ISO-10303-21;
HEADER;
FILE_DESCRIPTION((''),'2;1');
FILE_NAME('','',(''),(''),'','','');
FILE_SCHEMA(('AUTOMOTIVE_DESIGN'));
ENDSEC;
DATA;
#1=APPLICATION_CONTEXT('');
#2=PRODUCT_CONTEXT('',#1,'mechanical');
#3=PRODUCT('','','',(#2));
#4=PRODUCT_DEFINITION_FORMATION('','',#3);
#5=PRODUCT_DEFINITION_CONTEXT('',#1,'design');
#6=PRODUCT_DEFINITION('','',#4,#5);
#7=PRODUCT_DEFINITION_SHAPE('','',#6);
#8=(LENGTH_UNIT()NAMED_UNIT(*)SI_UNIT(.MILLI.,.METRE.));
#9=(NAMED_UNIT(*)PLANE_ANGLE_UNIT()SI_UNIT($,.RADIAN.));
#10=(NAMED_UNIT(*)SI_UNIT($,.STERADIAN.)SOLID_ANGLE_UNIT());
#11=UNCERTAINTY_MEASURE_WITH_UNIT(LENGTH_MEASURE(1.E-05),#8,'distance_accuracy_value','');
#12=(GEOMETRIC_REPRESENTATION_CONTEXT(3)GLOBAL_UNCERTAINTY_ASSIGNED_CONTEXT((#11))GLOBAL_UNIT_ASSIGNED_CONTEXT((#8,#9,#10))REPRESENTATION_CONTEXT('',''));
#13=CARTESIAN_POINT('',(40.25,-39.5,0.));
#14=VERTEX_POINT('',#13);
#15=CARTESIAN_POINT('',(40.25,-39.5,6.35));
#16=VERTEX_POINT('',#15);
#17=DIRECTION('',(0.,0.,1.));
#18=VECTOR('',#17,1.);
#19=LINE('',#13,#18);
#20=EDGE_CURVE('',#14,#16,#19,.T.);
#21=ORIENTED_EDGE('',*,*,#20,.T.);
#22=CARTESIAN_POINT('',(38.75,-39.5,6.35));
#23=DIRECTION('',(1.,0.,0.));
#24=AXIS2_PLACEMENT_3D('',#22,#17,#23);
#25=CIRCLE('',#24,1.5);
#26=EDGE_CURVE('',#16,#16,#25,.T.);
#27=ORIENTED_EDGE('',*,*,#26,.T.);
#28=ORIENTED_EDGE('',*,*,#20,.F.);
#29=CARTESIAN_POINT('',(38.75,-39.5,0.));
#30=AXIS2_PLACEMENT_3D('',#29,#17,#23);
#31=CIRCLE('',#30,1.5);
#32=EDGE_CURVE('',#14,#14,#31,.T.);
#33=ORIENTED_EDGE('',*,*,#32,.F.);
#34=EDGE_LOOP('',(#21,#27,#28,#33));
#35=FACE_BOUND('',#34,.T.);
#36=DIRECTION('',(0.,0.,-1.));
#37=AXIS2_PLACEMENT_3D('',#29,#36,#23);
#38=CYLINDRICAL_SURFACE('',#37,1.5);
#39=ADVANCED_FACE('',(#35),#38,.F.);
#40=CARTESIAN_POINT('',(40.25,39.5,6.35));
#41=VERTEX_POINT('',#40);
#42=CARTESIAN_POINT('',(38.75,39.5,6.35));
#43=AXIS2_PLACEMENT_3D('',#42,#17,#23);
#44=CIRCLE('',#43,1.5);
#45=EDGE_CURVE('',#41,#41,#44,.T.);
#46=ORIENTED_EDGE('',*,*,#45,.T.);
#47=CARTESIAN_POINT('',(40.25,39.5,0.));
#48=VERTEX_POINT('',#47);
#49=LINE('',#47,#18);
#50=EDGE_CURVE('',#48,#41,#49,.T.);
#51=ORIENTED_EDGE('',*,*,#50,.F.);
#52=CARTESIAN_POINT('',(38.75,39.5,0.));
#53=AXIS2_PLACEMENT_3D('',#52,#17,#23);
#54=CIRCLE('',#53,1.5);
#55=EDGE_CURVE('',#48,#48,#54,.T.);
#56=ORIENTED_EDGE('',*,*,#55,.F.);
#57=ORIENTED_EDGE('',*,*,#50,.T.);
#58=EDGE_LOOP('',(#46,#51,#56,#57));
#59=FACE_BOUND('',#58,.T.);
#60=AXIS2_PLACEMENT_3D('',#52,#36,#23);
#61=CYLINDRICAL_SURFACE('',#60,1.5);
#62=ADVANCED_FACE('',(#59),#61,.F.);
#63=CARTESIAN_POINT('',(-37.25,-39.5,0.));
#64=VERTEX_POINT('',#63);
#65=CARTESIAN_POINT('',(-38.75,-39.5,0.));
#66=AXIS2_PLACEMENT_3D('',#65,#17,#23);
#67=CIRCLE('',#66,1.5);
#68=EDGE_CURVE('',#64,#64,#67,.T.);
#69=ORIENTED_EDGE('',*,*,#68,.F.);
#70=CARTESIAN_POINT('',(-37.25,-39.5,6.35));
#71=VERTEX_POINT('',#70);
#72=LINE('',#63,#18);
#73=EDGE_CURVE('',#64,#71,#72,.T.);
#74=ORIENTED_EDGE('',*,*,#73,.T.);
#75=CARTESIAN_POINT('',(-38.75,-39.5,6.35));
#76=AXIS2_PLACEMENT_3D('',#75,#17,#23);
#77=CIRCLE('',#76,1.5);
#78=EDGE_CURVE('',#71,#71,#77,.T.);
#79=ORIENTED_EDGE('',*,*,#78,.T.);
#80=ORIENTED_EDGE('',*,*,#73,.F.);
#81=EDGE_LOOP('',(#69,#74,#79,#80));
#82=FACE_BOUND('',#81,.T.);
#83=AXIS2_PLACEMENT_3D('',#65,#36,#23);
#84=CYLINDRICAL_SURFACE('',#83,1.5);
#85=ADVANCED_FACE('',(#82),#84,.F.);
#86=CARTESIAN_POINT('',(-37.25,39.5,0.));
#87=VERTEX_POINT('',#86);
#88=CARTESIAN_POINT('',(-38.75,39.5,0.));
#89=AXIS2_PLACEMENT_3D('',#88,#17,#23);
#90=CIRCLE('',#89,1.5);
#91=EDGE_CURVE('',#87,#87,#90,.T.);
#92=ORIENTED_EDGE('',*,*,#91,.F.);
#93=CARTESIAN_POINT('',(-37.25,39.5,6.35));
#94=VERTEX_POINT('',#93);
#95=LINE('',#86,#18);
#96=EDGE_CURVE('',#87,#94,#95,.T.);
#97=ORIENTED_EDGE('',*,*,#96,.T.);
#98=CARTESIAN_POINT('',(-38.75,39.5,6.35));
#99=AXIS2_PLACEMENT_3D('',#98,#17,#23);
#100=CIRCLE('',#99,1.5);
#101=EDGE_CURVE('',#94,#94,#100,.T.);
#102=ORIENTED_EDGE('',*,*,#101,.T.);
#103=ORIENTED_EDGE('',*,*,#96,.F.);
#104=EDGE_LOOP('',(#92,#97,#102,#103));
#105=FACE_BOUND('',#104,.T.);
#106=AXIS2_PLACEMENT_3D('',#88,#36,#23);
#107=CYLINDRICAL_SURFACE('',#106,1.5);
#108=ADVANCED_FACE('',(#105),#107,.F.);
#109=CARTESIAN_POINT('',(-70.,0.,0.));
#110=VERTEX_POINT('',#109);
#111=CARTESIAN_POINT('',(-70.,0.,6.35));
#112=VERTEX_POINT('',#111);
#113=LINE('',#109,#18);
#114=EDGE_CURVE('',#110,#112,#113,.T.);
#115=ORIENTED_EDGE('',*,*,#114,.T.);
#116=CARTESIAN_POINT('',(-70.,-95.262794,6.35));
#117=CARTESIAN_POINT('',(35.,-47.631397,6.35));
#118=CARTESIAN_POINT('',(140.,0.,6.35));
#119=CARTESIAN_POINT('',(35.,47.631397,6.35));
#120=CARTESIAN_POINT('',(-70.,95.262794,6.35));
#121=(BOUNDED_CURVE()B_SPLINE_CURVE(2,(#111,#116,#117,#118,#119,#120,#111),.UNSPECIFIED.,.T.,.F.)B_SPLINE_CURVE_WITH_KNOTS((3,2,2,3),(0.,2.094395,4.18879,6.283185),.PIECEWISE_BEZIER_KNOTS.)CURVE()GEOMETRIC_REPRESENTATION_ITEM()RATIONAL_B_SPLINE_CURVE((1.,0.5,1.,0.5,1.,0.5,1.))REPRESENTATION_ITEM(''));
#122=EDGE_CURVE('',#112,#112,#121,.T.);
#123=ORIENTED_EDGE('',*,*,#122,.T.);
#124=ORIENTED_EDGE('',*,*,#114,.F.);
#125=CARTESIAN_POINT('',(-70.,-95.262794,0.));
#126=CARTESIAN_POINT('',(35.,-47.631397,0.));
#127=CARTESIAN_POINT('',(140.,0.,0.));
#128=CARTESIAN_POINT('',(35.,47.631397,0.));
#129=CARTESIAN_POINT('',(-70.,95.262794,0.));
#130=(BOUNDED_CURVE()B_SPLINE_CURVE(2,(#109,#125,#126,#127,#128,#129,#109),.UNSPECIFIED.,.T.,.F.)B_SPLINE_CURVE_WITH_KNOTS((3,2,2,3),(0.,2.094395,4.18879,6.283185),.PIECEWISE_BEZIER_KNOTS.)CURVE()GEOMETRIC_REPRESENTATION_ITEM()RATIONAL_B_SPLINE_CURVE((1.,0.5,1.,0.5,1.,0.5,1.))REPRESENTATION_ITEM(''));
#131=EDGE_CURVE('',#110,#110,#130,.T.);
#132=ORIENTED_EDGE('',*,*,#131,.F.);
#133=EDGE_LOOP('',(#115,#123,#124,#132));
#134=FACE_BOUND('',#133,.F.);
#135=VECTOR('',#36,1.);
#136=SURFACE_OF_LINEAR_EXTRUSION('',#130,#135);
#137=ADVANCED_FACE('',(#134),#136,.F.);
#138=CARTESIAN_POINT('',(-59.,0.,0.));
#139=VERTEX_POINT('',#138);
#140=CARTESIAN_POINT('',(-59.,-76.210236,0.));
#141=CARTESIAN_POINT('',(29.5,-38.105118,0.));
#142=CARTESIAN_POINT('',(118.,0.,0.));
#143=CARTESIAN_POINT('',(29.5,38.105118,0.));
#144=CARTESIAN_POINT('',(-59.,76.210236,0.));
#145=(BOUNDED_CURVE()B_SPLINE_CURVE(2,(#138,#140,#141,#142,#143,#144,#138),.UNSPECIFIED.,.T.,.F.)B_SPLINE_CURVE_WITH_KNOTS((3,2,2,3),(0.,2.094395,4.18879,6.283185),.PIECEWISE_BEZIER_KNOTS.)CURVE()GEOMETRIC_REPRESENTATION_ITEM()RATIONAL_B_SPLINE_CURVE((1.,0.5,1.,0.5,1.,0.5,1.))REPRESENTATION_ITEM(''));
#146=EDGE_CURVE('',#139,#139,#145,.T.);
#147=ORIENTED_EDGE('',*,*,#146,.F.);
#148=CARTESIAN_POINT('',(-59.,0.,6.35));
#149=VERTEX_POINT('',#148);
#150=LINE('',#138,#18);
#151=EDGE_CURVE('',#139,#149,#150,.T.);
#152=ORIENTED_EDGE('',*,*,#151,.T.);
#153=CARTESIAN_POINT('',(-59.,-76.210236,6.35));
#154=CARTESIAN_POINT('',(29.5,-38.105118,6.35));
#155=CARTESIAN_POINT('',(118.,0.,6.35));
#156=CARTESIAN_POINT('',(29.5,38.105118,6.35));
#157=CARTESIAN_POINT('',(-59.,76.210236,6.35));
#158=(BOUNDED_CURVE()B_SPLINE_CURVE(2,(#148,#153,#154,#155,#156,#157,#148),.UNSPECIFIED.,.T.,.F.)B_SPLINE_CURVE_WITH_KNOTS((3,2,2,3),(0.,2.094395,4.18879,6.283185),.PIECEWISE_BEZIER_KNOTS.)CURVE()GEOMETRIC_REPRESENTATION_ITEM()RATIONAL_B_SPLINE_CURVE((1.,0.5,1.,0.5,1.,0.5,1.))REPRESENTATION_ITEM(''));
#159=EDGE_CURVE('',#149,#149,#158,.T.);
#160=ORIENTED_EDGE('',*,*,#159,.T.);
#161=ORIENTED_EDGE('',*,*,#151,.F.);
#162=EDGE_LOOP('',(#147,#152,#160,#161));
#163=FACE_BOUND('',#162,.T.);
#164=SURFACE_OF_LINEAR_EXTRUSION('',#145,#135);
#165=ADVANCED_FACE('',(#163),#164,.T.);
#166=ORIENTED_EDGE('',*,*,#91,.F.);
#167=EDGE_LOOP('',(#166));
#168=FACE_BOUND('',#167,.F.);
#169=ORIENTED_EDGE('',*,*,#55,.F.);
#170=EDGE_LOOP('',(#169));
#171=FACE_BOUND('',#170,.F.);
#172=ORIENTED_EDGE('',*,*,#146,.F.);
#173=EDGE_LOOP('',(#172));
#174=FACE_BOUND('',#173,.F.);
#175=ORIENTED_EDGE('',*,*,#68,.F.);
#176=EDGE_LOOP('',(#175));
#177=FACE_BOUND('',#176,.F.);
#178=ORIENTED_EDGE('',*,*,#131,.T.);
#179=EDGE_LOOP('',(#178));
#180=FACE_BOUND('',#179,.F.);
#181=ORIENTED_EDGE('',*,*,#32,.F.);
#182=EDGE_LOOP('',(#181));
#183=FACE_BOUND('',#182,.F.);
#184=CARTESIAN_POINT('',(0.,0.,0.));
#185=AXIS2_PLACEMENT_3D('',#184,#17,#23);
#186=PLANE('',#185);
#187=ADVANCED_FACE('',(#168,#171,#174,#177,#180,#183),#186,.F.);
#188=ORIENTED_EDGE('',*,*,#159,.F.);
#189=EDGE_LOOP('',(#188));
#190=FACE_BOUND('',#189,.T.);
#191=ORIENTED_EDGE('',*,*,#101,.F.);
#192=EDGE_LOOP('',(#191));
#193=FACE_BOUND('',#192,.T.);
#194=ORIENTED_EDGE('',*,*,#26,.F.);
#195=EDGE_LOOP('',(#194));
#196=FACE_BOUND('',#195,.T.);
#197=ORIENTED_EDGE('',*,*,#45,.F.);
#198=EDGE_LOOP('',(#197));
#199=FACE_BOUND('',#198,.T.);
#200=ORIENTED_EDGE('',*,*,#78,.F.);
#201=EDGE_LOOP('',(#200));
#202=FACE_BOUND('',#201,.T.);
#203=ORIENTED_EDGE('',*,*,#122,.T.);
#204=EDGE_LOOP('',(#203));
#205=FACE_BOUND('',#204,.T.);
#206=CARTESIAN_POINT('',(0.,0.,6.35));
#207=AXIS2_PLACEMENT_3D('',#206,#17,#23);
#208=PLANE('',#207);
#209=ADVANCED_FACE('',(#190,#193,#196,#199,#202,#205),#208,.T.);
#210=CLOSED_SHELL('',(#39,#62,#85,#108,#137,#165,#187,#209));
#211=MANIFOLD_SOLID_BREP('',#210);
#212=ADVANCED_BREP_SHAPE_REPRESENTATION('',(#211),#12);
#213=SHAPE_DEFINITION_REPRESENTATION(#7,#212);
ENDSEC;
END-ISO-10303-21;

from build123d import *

# Parameters (mm, degrees)
F0_R     = 1.5
F1_DEPTH = 6.35


with BuildPart() as f1:
    # F0 (on Top) → F1 (new body)
    with BuildSketch(Plane.XY):
        with BuildLine():
            add(Edge.make_bspline(
                [(-70, 0), (-70, -95.262794), (35, -47.631397), (140, 0), (35, 47.631397), (-70, 95.262794), (-70, 0)],
                knots=[0, 0, 0, 2.094395, 2.094395, 4.18879, 4.18879, 6.283185, 6.283185, 6.283185], degree=2, weights=[1, 0.5, 1, 0.5, 1, 0.5, 1]))
        make_face()
        with Locations((-38.75, -39.5)):
            Circle(F0_R, mode=Mode.SUBTRACT)
        with Locations((38.75, -39.5)):
            Circle(F0_R, mode=Mode.SUBTRACT)
        with Locations((-38.75, 39.5)):
            Circle(F0_R, mode=Mode.SUBTRACT)
        with BuildLine():
            add(Edge.make_bspline(
                [(-59, 0), (-59, -76.210236), (29.5, -38.105118), (118, 0), (29.5, 38.105118), (-59, 76.210236), (-59, 0)],
                knots=[0, 0, 0, 2.094395, 2.094395, 4.18879, 4.18879, 6.283185, 6.283185, 6.283185], degree=2, weights=[1, 0.5, 1, 0.5, 1, 0.5, 1]))
        make_face(mode=Mode.SUBTRACT)
        with Locations((38.75, 39.5)):
            Circle(F0_R, mode=Mode.SUBTRACT)
    extrude(amount=F1_DEPTH)


solid = f1.part
